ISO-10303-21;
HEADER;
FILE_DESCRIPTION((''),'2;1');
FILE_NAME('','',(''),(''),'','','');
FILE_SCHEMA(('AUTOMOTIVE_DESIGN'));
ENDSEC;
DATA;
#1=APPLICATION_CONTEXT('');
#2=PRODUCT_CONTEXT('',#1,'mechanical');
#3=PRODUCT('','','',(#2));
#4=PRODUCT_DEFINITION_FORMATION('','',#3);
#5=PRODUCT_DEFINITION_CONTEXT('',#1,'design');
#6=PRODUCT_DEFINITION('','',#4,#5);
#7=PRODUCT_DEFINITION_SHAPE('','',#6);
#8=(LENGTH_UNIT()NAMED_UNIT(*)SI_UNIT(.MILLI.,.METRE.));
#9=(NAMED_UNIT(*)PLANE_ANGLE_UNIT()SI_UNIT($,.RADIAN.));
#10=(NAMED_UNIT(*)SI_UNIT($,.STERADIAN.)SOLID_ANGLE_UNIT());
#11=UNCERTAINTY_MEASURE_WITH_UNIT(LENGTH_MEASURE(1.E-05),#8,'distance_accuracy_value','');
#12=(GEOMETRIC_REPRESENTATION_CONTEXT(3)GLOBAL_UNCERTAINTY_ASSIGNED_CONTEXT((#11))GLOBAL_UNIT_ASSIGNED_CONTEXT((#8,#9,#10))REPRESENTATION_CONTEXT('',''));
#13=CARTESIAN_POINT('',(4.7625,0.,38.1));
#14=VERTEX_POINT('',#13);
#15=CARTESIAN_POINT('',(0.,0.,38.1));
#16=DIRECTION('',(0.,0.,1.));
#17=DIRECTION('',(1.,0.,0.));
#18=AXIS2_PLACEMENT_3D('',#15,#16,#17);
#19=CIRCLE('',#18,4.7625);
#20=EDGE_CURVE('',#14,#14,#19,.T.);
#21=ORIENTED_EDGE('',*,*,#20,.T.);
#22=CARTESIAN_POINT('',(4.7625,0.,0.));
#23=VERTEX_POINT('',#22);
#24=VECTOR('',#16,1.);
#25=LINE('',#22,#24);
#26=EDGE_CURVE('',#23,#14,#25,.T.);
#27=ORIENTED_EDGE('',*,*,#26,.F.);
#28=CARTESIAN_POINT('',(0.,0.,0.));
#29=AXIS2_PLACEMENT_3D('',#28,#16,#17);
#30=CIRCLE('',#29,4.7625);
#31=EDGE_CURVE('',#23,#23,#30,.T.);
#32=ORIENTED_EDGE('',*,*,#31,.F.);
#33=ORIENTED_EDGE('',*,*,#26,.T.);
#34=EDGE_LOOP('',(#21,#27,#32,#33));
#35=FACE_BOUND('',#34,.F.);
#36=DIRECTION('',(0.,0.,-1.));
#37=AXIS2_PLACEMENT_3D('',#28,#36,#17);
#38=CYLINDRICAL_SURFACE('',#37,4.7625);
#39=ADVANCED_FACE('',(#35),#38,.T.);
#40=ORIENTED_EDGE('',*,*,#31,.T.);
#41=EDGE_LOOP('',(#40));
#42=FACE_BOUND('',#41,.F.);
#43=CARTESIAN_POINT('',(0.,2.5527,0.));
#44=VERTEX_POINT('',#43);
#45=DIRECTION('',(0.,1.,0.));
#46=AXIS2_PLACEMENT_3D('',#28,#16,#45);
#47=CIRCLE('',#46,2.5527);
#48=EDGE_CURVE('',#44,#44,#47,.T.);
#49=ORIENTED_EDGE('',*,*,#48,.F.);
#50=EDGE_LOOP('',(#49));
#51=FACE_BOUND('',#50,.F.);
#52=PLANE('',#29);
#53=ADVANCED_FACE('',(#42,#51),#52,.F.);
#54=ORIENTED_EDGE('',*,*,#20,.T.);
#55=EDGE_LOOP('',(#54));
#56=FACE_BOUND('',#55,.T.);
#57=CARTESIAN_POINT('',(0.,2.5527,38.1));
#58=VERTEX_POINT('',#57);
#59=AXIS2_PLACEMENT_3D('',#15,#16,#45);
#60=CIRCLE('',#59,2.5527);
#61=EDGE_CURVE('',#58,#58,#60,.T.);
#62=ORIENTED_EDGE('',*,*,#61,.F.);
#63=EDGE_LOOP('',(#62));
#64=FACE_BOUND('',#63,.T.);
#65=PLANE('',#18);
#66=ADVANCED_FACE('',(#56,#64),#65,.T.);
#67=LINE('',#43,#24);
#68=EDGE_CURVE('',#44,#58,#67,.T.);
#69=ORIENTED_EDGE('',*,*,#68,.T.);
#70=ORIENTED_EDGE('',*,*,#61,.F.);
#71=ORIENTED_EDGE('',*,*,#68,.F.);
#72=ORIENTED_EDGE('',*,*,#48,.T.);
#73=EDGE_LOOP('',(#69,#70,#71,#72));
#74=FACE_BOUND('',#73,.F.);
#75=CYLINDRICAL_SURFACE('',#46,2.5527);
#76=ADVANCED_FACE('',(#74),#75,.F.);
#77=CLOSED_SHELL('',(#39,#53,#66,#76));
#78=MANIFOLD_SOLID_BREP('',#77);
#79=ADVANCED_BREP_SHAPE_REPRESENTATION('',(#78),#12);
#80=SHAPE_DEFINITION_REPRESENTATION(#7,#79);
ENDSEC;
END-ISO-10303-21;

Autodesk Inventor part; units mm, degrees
ref_plane "YZ Plane" through (0, 0, 0) normal (1, 0, 0) x (0, 1, 0)
ref_plane "XZ Plane" through (0, 0, 0) normal (0, 1, 0) x (-1, 0, 0)
ref_plane "XY Plane" through (0, 0, 0) normal (0, 0, 1) x (1, 0, 0)
sketch "Sketch1" plane through (0, 0, 0) normal (0, 0, 1) x (1, 0, 0)
  circle A0 centre (0, 0) radius 4.7625
  dimension "d10" = 9.525
extrude "Extrusion1" add sketch "Sketch1" along normal blind 38.1
hole "Hole1" at (0, 0, 0) direction (0, 0, 1) diameter 5.1054 end through all clearance for "Flat Head Machine Screw (82)" size "#10" standard "Ansi Unified Screw Threads"
equation "\"d10\" = OutsideDiameter"
equation "\"d1\" = StandoffLength"
equation "\"d3\" = HoleDiameter"
equation "\"StandoffLength\" = 38.1"
equation "\"HoleDiameter\" = 5.1054"
equation "\"OutsideDiameter\" = 9.525"
properties part number "DB1-008" material "Aluminum 6061"
